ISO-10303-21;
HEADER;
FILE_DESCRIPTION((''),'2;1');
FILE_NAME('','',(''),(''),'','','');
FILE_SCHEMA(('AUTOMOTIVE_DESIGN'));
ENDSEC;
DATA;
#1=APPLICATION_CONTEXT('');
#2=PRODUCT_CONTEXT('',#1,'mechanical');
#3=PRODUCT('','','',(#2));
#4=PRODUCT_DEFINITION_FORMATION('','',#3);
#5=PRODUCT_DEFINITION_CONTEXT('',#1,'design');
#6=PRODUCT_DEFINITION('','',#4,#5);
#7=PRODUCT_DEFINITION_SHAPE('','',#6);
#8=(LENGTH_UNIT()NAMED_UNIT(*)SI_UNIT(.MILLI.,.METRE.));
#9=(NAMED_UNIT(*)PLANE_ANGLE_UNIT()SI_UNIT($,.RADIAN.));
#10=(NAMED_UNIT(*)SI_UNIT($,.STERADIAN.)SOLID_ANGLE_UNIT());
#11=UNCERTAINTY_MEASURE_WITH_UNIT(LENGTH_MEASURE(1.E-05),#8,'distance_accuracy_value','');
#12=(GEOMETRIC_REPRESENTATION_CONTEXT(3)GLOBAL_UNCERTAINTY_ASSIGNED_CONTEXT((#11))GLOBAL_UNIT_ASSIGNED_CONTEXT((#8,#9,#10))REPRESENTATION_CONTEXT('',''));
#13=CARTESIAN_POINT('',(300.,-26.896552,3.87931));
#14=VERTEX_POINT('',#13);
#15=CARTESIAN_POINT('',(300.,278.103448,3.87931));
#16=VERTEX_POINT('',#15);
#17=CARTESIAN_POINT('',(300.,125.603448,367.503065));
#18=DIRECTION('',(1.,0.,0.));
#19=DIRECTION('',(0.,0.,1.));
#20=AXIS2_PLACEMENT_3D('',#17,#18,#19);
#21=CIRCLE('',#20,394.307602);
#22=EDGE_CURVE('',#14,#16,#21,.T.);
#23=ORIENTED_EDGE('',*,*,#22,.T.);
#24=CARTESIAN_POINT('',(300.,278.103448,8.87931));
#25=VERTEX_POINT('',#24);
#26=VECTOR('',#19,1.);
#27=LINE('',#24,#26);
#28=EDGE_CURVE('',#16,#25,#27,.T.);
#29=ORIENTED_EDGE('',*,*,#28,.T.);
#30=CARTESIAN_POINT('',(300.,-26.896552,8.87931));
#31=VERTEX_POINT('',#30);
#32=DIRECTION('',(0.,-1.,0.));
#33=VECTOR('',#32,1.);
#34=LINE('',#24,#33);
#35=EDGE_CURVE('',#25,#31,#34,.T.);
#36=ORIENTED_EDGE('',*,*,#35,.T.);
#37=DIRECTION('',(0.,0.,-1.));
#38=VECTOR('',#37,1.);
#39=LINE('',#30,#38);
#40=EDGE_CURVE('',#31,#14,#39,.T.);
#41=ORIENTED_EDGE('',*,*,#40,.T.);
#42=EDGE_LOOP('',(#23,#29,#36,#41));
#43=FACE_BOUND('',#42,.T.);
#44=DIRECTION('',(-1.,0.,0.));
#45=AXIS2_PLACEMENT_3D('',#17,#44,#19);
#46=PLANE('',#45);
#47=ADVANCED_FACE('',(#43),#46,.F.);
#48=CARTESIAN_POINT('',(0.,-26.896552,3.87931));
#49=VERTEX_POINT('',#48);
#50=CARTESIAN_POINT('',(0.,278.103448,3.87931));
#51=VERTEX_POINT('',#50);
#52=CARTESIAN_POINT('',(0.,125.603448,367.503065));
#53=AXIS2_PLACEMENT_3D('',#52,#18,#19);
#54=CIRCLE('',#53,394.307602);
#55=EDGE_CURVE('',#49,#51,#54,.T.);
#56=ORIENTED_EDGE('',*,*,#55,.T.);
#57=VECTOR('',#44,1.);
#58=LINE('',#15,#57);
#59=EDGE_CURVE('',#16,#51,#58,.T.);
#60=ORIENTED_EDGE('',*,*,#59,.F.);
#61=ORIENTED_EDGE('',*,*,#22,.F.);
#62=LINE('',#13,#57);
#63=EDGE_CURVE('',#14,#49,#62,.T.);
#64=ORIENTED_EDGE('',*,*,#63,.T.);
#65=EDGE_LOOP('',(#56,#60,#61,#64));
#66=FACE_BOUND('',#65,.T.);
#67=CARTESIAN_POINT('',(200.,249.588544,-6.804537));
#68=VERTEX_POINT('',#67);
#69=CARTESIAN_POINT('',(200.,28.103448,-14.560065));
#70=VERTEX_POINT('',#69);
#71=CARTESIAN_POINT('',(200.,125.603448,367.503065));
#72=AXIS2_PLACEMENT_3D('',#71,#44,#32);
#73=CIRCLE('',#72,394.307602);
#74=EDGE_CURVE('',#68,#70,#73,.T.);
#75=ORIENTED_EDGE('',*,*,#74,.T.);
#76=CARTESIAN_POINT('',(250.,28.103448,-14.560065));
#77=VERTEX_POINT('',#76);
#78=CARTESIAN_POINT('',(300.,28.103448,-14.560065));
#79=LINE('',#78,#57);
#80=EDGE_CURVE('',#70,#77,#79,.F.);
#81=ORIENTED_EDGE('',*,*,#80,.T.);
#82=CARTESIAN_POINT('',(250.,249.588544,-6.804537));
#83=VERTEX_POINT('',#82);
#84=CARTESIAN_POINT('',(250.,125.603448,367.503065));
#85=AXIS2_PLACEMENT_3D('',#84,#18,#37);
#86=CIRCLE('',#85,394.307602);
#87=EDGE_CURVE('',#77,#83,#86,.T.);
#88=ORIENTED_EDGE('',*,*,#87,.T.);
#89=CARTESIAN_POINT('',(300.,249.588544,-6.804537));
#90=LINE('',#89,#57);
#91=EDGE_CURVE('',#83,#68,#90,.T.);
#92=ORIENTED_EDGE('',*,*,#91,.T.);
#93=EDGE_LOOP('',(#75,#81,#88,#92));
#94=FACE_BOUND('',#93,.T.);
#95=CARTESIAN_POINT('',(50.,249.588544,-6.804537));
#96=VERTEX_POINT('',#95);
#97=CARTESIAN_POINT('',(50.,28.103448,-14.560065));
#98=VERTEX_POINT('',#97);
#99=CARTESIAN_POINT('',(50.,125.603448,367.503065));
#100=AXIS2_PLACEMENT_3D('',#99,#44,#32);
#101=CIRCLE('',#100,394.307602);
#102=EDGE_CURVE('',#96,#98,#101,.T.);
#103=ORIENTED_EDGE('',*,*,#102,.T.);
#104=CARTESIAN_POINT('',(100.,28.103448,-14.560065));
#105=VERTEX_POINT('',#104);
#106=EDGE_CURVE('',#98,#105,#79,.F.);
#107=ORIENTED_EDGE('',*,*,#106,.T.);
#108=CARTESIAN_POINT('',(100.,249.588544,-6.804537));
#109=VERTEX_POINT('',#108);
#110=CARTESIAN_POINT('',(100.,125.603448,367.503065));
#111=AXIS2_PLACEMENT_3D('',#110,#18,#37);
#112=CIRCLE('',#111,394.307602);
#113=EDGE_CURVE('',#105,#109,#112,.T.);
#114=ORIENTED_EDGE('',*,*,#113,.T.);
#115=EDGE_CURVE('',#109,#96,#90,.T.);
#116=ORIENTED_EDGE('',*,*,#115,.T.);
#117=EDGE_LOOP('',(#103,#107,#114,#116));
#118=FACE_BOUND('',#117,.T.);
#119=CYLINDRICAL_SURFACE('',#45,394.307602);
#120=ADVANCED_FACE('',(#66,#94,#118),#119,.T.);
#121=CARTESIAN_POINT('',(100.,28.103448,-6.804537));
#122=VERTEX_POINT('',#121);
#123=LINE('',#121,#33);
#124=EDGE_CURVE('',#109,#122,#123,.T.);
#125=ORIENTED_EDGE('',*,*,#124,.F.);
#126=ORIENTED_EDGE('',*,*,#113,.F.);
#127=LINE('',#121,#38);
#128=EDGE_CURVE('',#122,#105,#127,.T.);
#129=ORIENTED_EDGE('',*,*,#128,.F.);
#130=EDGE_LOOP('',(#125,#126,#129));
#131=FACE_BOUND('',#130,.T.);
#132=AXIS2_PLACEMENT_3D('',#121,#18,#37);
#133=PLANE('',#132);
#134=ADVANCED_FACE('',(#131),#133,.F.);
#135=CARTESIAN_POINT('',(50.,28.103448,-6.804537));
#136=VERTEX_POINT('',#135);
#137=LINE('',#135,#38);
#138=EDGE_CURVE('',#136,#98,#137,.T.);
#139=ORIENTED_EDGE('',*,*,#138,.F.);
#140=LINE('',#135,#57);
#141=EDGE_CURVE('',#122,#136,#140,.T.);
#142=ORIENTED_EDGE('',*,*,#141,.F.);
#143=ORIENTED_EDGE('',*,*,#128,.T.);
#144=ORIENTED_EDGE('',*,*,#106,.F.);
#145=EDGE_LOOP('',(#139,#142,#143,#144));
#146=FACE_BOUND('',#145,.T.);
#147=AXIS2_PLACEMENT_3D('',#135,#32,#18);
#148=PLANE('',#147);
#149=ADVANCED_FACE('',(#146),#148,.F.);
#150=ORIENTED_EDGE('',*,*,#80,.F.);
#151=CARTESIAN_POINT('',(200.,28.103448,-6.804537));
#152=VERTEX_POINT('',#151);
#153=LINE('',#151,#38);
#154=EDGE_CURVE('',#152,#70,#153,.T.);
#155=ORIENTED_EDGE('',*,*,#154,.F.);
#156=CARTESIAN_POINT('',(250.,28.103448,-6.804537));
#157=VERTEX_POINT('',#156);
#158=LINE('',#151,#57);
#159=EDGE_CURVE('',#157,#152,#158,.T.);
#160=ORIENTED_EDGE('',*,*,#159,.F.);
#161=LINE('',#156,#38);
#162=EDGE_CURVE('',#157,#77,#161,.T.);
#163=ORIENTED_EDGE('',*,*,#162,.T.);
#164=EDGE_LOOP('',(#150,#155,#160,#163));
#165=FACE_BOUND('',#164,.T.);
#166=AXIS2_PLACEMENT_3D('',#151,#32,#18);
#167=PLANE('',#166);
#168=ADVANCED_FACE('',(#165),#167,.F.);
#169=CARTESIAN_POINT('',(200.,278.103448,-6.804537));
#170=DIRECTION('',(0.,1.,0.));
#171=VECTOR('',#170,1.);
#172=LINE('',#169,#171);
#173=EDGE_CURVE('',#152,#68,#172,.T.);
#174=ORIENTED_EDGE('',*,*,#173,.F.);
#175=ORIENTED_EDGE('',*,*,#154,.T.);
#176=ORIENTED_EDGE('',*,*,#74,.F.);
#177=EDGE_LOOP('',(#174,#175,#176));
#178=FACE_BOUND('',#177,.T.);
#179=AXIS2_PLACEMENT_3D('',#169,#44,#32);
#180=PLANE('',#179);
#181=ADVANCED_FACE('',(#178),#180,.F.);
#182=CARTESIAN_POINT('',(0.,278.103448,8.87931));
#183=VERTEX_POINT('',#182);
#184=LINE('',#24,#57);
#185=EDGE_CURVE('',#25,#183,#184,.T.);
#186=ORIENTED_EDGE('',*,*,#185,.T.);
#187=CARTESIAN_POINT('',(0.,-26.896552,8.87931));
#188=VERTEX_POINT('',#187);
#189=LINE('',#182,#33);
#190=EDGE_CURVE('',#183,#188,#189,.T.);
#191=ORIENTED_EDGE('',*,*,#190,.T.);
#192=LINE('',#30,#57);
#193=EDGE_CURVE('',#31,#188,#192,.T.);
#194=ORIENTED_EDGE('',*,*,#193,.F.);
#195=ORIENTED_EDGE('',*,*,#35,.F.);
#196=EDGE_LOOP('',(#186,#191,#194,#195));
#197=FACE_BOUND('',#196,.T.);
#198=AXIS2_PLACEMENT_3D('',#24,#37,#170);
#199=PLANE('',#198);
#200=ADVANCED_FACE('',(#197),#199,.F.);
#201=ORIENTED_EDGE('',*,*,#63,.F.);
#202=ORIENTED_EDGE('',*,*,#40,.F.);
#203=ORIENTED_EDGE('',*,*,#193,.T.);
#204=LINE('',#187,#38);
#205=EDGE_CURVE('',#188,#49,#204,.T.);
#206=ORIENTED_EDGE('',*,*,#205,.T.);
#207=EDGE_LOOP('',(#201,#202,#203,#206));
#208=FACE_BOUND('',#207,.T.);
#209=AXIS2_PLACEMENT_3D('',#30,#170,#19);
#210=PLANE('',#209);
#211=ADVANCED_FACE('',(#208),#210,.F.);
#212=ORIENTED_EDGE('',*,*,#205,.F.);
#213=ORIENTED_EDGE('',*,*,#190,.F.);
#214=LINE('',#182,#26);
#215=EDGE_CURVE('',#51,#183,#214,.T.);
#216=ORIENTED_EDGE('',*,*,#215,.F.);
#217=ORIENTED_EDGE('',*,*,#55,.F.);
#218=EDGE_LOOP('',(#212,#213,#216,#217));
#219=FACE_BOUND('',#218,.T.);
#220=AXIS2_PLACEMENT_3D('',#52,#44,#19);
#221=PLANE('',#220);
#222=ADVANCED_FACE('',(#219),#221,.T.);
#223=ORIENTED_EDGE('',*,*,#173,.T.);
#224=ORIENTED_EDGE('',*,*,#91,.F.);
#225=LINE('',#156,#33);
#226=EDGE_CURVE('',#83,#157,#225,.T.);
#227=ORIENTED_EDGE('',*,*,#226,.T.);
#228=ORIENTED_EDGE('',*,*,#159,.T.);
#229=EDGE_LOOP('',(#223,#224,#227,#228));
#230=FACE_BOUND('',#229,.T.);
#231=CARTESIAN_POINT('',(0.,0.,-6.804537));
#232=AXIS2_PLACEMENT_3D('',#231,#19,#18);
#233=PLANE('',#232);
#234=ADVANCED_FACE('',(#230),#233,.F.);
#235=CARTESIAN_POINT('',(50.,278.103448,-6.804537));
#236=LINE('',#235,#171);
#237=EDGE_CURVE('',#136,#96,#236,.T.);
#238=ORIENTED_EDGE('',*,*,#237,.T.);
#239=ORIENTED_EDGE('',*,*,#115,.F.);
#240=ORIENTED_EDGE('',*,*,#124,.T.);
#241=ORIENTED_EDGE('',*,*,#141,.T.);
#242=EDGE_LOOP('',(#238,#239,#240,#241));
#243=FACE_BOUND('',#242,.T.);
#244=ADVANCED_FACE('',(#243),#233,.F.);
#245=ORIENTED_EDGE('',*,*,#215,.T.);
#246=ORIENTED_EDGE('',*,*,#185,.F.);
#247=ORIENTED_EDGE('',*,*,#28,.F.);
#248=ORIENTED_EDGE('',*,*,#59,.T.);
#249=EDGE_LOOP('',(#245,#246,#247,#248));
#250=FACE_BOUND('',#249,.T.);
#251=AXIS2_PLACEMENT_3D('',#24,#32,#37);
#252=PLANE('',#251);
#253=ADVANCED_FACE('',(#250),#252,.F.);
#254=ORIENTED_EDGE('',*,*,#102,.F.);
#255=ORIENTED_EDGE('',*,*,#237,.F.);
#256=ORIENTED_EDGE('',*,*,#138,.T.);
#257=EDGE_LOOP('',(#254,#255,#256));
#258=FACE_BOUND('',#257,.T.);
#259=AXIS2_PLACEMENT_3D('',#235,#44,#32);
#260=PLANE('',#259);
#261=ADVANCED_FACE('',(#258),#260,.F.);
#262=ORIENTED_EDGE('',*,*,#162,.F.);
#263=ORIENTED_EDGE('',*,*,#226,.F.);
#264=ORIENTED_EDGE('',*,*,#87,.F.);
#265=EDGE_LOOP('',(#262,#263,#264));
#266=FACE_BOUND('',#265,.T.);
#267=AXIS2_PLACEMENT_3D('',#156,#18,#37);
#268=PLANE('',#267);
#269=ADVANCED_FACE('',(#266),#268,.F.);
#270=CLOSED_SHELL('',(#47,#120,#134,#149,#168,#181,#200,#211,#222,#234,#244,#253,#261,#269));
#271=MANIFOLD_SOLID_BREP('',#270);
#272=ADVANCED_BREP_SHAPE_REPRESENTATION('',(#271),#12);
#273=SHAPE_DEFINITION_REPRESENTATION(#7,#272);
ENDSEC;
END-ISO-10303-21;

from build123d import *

# Parameters (mm, degrees)
BOSS_EXTRUDE1_DEPTH = 300
SKETCH3_W           = 50
SKETCH3_H           = 250
CUT_EXTRUDE1_DEPTH  = 20


with BuildPart() as part:
    # Sketch2 → Boss-Extrude1 (new body)
    with BuildSketch(Plane(origin=(0, 0, 0), x_dir=(0, 0, -1), z_dir=(1, 0, 0))):
        with BuildLine():
            Line((-8.879310345, 278.103448276), (-8.879310345, -26.896551724))
            Line((-8.879310345, -26.896551724), (-3.879310345, -26.896551724))
            ThreePointArc((-3.879310345, -26.896551724), (26.804536977, 125.603448276), (-3.879310345, 278.103448276))
            Line((-3.879310345, 278.103448276), (-8.879310345, 278.103448276))
        make_face()
    extrude(amount=BOSS_EXTRUDE1_DEPTH)

    # Sketch3 → Cut-Extrude1 (cut)
    with BuildSketch(Plane(origin=(0, 0, -26.804536977), x_dir=(-1, 0, 0), z_dir=(0, 0, -1))):
        with Locations((-225, 153.103448276)):
            Rectangle(SKETCH3_W, SKETCH3_H)
        with Locations((-75, 153.103448276)):
            Rectangle(SKETCH3_W, SKETCH3_H)
    extrude(amount=-CUT_EXTRUDE1_DEPTH, mode=Mode.SUBTRACT)


solid = part.part
